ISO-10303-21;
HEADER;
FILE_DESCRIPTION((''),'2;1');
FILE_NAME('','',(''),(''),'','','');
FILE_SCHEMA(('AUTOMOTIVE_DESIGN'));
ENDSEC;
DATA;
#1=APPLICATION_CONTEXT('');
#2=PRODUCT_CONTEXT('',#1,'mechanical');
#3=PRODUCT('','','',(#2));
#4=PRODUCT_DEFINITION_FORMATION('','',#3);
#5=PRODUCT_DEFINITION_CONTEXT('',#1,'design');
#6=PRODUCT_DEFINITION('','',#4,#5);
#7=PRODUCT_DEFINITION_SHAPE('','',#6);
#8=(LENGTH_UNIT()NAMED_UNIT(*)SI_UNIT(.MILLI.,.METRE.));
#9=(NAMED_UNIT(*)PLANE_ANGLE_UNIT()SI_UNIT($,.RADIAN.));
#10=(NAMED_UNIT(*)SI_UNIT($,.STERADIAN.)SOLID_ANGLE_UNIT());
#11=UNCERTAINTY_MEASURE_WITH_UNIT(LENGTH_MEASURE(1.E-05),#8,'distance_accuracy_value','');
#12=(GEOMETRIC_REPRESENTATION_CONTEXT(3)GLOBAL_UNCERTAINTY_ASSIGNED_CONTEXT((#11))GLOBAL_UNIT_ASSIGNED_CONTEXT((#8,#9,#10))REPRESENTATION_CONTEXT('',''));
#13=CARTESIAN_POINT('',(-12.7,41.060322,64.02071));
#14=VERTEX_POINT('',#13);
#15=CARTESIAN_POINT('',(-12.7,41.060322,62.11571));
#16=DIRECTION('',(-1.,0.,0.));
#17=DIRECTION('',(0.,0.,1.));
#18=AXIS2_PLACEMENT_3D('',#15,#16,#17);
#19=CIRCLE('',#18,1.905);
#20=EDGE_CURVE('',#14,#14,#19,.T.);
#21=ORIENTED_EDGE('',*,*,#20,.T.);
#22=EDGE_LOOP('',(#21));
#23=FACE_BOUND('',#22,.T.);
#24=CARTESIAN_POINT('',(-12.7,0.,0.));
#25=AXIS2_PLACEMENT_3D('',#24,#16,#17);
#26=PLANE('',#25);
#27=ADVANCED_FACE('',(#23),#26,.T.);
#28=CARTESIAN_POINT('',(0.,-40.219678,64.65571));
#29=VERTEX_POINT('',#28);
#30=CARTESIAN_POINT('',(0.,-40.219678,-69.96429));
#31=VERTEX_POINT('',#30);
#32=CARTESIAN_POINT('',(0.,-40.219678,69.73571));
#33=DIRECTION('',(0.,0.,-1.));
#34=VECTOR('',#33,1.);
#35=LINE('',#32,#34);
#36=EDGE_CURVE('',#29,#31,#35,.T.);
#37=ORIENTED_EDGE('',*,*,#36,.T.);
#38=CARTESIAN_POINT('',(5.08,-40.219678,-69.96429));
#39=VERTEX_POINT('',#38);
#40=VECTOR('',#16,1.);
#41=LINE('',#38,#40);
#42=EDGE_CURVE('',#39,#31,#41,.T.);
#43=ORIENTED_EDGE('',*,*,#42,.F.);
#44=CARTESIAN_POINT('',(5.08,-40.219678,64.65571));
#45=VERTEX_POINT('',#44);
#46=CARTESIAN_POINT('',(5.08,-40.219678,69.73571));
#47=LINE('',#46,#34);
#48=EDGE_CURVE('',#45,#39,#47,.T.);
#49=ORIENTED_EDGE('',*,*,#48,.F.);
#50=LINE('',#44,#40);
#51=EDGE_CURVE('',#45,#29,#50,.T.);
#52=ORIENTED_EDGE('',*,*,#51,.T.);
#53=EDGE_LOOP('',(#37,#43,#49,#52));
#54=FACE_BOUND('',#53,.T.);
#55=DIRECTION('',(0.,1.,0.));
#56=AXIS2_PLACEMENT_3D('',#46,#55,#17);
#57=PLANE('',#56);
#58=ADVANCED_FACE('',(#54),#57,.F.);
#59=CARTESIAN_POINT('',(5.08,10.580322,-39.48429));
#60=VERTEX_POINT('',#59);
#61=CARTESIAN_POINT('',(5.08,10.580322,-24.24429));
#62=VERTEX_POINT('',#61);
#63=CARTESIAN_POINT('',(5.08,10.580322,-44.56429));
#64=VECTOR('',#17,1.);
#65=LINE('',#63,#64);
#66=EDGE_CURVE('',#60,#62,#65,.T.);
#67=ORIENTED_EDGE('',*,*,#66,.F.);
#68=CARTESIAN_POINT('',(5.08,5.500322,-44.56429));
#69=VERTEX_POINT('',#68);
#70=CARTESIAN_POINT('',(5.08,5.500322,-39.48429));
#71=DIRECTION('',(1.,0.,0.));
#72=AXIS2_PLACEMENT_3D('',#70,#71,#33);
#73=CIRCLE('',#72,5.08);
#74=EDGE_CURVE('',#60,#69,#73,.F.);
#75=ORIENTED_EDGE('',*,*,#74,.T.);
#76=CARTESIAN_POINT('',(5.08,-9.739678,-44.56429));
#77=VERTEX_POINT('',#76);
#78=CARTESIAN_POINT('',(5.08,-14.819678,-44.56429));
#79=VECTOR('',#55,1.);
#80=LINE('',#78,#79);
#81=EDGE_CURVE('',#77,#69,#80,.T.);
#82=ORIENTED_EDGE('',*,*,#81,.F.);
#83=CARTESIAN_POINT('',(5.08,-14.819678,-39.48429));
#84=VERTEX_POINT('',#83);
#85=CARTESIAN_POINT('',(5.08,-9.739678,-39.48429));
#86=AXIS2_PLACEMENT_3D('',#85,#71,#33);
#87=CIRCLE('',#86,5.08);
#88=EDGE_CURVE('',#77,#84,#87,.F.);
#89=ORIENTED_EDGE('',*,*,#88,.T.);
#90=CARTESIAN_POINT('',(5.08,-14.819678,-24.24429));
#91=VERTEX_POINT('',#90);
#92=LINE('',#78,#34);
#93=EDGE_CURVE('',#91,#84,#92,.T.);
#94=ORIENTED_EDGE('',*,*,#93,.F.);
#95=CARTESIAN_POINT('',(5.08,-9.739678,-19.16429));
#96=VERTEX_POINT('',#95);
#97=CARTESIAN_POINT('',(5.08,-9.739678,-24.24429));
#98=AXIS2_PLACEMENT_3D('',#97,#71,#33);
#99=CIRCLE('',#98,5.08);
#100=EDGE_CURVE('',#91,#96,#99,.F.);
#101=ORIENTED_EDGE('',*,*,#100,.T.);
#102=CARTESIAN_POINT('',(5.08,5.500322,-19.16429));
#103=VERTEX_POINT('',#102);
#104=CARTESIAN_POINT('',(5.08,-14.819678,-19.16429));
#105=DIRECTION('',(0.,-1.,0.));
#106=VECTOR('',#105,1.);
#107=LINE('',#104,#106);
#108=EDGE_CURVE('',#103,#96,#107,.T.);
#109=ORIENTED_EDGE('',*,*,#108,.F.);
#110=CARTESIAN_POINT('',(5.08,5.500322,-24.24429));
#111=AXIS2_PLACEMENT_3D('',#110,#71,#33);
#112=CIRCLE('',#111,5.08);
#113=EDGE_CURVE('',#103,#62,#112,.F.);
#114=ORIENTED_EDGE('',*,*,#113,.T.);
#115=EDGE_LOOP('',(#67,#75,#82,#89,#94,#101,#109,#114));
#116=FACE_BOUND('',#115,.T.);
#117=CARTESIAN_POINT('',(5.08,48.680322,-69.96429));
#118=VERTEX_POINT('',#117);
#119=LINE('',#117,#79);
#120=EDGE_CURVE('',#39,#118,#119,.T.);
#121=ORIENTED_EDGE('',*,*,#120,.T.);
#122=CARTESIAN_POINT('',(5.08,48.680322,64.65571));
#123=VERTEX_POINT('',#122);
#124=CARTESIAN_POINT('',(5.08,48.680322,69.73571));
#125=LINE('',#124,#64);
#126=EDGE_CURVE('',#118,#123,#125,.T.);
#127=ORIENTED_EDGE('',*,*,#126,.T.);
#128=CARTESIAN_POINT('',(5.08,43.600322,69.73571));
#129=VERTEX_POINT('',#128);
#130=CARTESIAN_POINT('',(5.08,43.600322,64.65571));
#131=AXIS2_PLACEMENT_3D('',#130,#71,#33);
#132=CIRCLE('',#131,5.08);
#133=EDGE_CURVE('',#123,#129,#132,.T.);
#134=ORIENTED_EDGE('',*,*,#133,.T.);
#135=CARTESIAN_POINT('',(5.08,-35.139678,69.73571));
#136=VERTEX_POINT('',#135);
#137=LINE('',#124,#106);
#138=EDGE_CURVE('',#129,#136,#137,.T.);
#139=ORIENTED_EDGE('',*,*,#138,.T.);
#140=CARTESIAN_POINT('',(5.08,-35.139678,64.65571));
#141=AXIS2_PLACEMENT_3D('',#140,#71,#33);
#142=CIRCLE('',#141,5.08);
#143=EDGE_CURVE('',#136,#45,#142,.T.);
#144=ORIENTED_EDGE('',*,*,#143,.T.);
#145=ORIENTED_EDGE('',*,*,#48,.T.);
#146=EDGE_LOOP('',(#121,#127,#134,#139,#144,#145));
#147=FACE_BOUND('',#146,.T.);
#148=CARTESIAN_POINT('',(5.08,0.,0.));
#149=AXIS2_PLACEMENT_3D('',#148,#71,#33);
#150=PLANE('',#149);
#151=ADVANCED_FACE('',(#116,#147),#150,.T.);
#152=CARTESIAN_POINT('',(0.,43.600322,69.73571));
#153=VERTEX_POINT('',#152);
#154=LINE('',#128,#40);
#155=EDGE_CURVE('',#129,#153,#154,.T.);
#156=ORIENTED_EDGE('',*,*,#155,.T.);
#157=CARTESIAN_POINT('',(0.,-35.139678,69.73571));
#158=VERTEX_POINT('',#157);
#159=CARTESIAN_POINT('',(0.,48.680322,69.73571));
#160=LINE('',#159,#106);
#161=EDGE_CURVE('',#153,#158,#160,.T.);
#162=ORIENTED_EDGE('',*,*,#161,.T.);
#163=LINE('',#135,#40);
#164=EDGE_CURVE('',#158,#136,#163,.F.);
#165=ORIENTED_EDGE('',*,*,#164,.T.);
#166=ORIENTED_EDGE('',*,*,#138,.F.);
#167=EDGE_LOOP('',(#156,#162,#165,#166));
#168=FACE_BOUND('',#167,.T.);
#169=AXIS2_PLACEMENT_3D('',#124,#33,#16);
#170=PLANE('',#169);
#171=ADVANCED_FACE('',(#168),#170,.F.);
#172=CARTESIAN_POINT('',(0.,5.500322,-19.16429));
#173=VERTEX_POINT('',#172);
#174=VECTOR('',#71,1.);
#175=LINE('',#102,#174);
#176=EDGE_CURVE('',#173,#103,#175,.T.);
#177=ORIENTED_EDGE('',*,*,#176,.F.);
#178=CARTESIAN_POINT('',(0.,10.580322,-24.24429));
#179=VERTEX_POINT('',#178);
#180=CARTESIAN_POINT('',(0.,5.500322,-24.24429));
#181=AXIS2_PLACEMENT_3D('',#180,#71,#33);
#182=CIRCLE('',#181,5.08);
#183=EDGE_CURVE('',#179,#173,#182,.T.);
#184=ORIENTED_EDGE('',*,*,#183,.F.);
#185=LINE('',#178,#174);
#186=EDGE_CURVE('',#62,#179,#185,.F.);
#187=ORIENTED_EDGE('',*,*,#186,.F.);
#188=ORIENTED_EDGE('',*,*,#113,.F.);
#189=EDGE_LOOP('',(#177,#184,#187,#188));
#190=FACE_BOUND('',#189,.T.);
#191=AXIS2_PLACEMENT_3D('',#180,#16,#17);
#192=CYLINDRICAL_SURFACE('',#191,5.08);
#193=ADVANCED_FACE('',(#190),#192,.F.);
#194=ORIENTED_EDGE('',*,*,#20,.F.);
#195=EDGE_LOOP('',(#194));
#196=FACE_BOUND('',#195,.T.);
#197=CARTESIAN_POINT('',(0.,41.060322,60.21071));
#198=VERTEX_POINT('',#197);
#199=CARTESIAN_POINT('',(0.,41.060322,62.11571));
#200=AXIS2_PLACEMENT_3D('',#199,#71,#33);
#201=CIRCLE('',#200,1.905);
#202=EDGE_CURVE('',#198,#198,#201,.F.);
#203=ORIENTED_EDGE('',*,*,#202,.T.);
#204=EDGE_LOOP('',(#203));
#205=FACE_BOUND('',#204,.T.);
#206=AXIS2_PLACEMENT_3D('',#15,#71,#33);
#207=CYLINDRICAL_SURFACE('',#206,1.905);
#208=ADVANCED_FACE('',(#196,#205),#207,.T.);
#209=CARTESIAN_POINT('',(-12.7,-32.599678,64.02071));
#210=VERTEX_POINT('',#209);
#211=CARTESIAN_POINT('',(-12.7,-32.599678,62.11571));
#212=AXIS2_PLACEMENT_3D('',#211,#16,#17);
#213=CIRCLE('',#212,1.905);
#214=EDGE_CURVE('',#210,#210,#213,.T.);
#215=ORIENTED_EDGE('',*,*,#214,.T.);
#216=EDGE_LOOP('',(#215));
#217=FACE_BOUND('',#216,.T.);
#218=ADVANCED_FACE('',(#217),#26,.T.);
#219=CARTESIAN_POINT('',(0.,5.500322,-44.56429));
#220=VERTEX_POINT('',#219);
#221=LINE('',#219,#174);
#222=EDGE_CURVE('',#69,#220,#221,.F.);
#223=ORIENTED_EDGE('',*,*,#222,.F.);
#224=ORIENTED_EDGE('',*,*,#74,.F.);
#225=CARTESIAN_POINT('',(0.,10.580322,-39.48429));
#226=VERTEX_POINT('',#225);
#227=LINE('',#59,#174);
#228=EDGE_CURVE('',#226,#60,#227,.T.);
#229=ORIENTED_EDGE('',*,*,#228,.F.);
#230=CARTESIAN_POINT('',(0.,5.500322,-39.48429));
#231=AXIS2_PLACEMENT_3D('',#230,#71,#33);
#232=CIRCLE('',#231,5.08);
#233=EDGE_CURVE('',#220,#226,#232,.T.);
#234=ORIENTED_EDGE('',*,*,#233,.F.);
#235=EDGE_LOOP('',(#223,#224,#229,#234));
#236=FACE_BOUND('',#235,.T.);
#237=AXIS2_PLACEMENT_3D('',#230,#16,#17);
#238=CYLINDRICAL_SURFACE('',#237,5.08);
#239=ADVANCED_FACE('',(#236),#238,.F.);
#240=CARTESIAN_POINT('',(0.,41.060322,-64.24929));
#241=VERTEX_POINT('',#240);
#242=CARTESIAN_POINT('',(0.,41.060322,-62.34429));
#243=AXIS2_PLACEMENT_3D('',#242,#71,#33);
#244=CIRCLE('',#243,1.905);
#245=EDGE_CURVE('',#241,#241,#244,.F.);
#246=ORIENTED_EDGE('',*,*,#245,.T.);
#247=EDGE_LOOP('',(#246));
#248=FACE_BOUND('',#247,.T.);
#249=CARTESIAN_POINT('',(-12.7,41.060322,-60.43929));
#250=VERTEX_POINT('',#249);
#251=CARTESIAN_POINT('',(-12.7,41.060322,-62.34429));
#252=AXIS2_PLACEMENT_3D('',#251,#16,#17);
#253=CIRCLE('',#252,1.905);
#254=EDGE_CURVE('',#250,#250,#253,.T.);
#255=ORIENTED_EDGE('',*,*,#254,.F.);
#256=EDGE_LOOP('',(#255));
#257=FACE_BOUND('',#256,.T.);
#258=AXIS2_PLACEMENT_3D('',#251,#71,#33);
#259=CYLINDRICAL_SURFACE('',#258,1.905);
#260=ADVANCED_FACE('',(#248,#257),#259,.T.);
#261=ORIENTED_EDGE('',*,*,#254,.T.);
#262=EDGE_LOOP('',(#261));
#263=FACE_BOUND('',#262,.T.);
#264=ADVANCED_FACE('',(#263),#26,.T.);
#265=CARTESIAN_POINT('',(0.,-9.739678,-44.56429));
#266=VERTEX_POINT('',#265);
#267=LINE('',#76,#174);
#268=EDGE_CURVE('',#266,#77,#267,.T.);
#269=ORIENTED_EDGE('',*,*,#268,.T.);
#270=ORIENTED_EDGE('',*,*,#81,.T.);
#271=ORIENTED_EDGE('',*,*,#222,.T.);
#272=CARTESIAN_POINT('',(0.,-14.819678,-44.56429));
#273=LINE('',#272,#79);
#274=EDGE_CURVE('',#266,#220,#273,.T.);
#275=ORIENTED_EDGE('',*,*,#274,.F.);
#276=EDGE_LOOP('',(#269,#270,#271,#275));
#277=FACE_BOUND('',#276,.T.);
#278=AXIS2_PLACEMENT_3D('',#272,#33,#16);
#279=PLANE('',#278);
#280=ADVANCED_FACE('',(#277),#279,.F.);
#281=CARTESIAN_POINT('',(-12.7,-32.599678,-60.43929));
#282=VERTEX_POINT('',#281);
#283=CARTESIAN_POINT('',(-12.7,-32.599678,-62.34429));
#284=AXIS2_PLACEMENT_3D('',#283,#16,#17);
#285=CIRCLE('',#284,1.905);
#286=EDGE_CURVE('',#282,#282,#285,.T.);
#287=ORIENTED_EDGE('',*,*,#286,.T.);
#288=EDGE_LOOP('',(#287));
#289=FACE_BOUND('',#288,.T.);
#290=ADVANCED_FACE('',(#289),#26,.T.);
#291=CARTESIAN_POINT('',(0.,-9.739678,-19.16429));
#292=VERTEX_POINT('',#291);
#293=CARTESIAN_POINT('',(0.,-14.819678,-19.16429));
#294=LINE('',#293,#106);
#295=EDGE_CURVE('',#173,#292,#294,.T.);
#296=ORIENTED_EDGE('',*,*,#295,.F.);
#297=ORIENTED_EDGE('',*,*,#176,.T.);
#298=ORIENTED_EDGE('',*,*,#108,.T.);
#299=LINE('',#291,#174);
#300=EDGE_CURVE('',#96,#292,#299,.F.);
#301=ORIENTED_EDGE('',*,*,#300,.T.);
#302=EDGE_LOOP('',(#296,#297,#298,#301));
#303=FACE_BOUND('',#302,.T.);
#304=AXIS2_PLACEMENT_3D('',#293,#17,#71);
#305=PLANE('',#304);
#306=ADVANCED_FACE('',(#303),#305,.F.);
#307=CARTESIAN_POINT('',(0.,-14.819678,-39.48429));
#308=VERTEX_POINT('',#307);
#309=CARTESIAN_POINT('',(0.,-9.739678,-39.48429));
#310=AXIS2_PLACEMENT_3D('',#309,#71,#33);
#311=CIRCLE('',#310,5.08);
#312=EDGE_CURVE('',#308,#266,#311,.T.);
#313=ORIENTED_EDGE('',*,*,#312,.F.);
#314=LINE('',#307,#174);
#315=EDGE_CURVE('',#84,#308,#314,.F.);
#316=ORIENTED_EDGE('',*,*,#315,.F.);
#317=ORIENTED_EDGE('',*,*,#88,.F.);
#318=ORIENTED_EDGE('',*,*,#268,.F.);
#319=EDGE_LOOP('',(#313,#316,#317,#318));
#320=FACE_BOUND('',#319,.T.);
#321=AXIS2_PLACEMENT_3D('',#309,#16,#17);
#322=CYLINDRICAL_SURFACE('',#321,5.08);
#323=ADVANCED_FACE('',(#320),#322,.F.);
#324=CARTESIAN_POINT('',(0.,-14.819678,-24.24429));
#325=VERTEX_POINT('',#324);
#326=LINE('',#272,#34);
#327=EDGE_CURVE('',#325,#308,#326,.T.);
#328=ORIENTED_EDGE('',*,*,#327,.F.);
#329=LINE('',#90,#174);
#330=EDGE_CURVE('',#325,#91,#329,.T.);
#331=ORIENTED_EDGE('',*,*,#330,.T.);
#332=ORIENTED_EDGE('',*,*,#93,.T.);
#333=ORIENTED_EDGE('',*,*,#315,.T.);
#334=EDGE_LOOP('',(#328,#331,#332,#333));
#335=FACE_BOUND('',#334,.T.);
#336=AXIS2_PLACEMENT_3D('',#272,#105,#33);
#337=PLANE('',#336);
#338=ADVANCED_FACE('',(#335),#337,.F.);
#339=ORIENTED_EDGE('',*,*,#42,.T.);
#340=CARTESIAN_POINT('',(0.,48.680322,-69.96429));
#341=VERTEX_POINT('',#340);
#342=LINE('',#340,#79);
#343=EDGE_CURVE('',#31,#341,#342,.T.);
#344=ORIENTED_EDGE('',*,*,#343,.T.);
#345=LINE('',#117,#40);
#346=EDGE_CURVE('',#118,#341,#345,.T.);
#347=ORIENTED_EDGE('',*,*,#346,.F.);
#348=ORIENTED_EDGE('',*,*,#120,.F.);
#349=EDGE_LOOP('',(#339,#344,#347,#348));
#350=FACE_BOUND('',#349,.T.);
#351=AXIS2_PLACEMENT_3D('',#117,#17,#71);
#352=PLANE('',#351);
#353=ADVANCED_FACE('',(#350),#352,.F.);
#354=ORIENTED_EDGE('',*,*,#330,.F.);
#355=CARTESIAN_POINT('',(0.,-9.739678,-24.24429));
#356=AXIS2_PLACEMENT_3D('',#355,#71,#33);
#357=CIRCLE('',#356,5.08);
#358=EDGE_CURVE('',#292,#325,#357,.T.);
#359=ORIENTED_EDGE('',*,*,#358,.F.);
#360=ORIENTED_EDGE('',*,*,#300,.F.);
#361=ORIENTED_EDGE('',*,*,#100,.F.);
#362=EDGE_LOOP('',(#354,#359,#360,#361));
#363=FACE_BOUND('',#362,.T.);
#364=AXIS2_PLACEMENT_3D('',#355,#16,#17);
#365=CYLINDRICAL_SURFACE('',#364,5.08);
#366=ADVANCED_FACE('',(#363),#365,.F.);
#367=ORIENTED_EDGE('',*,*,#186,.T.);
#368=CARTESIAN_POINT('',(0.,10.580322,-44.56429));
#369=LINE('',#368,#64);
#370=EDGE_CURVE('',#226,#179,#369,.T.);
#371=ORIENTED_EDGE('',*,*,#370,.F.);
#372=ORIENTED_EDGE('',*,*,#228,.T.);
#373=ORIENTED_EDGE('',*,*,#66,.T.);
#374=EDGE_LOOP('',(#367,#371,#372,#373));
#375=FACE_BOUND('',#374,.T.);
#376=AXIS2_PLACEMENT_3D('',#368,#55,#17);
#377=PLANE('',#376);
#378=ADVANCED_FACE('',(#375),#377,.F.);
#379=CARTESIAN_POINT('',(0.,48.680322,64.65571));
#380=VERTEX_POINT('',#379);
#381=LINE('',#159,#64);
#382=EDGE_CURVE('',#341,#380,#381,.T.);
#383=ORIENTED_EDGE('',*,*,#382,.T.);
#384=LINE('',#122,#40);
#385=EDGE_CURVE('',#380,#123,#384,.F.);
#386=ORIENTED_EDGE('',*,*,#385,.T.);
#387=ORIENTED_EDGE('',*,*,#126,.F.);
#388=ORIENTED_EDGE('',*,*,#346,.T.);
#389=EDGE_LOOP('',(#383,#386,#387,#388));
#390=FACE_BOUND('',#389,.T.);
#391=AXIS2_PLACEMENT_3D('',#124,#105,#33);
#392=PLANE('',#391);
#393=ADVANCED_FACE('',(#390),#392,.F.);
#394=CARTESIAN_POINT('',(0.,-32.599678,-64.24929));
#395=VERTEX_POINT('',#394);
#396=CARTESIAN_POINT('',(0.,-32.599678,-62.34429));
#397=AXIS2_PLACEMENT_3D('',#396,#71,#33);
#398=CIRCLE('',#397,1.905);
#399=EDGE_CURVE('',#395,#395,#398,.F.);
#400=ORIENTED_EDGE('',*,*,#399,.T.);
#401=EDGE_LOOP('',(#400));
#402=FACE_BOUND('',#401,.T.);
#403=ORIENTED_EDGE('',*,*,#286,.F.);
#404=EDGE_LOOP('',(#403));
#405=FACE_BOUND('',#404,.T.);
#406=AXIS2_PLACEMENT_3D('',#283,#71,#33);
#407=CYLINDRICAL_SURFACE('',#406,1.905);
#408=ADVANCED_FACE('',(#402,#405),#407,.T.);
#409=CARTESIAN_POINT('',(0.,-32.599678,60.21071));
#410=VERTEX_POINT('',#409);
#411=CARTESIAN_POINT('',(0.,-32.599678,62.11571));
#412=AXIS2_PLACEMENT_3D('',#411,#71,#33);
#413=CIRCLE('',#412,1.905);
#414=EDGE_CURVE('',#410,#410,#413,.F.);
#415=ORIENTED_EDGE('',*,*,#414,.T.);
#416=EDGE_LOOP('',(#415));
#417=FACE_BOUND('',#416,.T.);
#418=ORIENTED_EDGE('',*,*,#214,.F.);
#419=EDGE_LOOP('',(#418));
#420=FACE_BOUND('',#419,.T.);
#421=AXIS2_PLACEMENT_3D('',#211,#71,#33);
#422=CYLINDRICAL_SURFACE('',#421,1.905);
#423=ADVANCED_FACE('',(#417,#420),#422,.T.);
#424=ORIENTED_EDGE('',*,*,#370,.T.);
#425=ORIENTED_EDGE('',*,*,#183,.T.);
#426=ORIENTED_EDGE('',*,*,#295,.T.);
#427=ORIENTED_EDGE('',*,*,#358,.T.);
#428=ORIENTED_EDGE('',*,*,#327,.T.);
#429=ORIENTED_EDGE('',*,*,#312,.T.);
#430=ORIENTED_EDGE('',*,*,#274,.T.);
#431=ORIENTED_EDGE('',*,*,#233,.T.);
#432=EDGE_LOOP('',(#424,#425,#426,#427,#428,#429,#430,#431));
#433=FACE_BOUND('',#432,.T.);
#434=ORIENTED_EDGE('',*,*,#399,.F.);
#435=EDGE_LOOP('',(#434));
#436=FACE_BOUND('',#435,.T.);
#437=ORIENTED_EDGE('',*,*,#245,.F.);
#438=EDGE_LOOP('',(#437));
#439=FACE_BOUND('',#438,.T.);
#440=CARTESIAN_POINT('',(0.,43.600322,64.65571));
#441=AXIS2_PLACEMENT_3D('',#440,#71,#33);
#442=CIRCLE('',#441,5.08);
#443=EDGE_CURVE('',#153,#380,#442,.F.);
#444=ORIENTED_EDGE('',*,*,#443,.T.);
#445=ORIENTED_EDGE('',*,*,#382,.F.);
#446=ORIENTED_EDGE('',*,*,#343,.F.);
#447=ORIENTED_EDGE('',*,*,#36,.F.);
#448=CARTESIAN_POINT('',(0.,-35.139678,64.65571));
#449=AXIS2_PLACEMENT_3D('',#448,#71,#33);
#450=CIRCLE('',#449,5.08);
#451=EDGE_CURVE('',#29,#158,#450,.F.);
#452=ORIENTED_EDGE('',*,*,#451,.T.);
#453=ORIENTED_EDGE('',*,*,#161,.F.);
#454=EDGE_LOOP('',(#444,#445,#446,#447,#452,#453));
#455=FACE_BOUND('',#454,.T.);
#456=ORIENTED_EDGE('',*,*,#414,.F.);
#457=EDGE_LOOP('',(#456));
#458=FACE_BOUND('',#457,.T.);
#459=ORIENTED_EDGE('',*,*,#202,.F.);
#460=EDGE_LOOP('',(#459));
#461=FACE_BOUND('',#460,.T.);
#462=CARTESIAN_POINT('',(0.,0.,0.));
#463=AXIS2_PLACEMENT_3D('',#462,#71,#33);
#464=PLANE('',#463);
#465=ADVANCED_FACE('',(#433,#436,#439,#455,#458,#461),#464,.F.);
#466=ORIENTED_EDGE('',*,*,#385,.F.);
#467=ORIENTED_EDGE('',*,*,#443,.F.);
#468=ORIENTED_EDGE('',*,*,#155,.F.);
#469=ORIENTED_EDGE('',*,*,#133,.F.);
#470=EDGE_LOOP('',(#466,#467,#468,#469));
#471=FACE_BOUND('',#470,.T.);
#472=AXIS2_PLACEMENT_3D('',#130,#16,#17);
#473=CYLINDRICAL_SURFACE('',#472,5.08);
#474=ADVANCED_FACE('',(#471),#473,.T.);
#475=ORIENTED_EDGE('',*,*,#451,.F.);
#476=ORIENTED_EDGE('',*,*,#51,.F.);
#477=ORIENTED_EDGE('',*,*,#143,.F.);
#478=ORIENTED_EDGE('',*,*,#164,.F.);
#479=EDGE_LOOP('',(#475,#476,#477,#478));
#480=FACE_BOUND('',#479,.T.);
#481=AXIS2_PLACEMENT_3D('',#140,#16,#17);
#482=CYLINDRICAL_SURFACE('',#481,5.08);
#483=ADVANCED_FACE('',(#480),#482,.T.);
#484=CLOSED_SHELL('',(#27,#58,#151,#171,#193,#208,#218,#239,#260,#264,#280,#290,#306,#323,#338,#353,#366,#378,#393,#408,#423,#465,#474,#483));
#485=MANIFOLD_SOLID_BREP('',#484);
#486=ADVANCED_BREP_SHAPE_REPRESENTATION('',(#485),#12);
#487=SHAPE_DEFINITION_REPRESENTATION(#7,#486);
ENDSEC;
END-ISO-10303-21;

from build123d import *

# Parameters (mm, degrees)
SKETCH2_W           = 139.7
SKETCH2_H           = 88.9
BOSS_EXTRUDE1_DEPTH = 5.08
SKETCH3_R           = 1.905
BOSS_EXTRUDE2_DEPTH = 12.7
FILLET1_R           = 5.08
SKETCH4_W           = 25.4
SKETCH4_H           = 25.4
CUT_EXTRUDE1_DEPTH  = 5.08
FILLET2_R           = 5.08


with BuildPart() as part:
    # Sketch2 → Boss-Extrude1 (new body)
    with BuildSketch(Plane(origin=(0, 0, 0), x_dir=(0, 0, -1), z_dir=(1, 0, 0))):
        with Locations((0.114290462, 4.230322371)):
            Rectangle(SKETCH2_W, SKETCH2_H)
    extrude(amount=BOSS_EXTRUDE1_DEPTH)

    # Sketch3 → Boss-Extrude2 (add)
    with BuildSketch(Plane.ZY):
        with Locations((-62.344290462, 41.060322371)):
            Circle(SKETCH3_R)
        with Locations((-62.344290462, -32.599677629)):
            Circle(SKETCH3_R)
        with Locations((62.115709538, 41.060322371)):
            Circle(SKETCH3_R)
        with Locations((62.115709538, -32.599677629)):
            Circle(SKETCH3_R)
    extrude(amount=BOSS_EXTRUDE2_DEPTH)

    # Fillet1
    fillet1_edges = [part.edges().sort_by_distance(p)[0] for p in [
        (2.54, -40.219677629, 69.735709538),
        (2.54, 48.680322371, 69.735709538),
    ]]
    fillet(fillet1_edges, radius=FILLET1_R)

    # Sketch4 → Cut-Extrude1 (cut)
    with BuildSketch(Plane(origin=(5.08, 0, 0), x_dir=(0, 0, -1), z_dir=(1, 0, 0))):
        with Locations((31.864290462, -2.119677629)):
            Rectangle(SKETCH4_W, SKETCH4_H)
    extrude(amount=-CUT_EXTRUDE1_DEPTH, mode=Mode.SUBTRACT)

    # Fillet2
    fillet2_edges = [part.edges().sort_by_distance(p)[0] for p in [
        (2.54, 10.580322371, -44.564290462),
        (2.54, -14.819677629, -44.564290462),
        (2.54, -14.819677629, -19.164290462),
        (2.54, 10.580322371, -19.164290462),
    ]]
    fillet(fillet2_edges, radius=FILLET2_R)


solid = part.part
